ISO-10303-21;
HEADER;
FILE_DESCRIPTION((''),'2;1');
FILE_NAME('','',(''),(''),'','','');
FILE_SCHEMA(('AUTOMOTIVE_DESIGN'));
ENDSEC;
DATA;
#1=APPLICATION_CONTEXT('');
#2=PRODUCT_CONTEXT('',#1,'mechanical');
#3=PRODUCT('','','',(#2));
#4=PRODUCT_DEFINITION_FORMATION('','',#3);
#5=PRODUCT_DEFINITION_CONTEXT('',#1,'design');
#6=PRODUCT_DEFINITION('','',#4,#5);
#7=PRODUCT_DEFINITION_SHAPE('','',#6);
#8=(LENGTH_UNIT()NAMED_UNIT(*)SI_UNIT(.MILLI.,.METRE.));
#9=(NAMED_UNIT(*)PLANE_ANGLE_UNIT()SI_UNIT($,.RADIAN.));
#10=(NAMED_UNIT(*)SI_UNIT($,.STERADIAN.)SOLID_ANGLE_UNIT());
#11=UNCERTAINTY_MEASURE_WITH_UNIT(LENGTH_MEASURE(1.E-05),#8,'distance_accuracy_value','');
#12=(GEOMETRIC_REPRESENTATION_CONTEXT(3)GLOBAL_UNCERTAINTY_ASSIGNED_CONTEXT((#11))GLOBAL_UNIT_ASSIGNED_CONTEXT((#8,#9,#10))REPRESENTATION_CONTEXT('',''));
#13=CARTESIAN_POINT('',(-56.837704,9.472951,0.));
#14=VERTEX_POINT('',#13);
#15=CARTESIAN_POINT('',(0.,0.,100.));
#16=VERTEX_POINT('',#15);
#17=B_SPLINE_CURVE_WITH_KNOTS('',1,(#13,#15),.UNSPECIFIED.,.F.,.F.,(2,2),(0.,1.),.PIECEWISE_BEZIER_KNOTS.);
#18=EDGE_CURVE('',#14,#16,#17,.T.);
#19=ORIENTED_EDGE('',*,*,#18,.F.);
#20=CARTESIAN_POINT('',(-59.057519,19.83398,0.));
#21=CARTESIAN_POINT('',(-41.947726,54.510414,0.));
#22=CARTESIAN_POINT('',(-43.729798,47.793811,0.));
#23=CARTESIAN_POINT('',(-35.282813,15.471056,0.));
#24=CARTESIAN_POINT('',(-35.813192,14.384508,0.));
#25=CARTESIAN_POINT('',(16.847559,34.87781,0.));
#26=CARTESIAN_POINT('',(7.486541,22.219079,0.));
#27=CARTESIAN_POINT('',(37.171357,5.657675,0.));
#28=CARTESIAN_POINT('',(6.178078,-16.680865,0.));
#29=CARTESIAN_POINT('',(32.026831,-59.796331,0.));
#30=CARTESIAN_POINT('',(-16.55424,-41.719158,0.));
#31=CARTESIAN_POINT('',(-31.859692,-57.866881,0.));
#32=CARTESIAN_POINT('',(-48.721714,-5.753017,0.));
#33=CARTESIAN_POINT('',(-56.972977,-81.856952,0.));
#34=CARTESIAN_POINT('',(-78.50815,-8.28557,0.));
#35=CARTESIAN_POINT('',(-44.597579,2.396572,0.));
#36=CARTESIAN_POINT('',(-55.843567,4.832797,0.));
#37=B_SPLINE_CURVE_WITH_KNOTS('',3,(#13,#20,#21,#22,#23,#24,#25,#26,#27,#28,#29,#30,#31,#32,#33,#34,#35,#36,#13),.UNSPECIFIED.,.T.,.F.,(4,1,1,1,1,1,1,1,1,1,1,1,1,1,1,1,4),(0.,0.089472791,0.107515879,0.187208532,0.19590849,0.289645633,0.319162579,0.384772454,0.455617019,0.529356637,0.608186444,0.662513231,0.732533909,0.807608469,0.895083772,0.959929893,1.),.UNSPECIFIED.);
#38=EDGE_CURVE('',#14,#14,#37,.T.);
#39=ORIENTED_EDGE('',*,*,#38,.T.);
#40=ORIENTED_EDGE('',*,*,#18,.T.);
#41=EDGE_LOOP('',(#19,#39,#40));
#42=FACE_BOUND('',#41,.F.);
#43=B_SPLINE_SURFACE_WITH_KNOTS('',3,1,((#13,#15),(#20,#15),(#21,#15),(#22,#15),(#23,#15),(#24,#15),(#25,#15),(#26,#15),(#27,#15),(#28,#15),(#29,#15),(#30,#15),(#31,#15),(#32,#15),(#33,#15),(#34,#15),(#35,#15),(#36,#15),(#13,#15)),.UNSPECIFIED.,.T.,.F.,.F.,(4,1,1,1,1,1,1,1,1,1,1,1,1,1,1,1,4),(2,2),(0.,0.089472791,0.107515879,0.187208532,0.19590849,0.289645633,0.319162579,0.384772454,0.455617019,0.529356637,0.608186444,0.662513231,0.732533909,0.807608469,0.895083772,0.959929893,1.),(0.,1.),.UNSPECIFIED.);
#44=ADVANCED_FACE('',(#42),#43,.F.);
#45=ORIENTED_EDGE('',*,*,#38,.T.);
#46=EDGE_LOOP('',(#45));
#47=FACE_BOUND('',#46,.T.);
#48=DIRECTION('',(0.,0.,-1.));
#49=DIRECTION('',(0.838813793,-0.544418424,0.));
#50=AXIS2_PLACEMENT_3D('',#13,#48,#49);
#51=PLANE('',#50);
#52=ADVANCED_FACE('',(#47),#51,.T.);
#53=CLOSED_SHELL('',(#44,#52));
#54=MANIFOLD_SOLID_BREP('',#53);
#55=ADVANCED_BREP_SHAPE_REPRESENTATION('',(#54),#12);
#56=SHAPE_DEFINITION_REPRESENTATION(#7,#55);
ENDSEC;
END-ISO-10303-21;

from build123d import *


with BuildPart() as f3:
    # F0 (on Top) → F3 section 0
    with BuildSketch(Plane.XY, mode=Mode.PRIVATE) as f3_s0:
        with BuildLine():
            add(Edge.make_bspline(
                [(-56.8377040327, 9.472951293), (-59.0575192518, 19.8339804413), (-41.9477263215, 54.5104144719), (-43.7297977892, 47.7938111773), (-35.2828130079, 15.4710564033), (-35.8131917588, 14.3845076367), (16.8475587936, 34.8778104541), (7.4865412896, 22.2190789575), (37.1713569051, 5.6576752325), (6.1780779407, -16.6808646242), (32.0268305438, -59.796331432), (-16.5542397126, -41.7191582989), (-31.8596916616, -57.8668806688), (-48.7217141381, -5.7530171777), (-56.9729774364, -81.8569522558), (-78.5081503969, -8.2855699859), (-44.5975787699, 2.3965715505), (-55.8435667936, 4.8327970934), (-56.8377040327, 9.472951293)],
                knots=[0, 0, 0, 0, 0.0894727911, 0.1075158786, 0.1872085317, 0.1959084903, 0.2896456332, 0.319162579, 0.3847724539, 0.4556170193, 0.5293566369, 0.6081864439, 0.6625132315, 0.7325339089, 0.8076084686, 0.8950837722, 0.9599298929, 1, 1, 1, 1], degree=3))
        make_face()
    loft([f3_s0.sketch, Vertex(0, 0, 100)])


solid = f3.part
